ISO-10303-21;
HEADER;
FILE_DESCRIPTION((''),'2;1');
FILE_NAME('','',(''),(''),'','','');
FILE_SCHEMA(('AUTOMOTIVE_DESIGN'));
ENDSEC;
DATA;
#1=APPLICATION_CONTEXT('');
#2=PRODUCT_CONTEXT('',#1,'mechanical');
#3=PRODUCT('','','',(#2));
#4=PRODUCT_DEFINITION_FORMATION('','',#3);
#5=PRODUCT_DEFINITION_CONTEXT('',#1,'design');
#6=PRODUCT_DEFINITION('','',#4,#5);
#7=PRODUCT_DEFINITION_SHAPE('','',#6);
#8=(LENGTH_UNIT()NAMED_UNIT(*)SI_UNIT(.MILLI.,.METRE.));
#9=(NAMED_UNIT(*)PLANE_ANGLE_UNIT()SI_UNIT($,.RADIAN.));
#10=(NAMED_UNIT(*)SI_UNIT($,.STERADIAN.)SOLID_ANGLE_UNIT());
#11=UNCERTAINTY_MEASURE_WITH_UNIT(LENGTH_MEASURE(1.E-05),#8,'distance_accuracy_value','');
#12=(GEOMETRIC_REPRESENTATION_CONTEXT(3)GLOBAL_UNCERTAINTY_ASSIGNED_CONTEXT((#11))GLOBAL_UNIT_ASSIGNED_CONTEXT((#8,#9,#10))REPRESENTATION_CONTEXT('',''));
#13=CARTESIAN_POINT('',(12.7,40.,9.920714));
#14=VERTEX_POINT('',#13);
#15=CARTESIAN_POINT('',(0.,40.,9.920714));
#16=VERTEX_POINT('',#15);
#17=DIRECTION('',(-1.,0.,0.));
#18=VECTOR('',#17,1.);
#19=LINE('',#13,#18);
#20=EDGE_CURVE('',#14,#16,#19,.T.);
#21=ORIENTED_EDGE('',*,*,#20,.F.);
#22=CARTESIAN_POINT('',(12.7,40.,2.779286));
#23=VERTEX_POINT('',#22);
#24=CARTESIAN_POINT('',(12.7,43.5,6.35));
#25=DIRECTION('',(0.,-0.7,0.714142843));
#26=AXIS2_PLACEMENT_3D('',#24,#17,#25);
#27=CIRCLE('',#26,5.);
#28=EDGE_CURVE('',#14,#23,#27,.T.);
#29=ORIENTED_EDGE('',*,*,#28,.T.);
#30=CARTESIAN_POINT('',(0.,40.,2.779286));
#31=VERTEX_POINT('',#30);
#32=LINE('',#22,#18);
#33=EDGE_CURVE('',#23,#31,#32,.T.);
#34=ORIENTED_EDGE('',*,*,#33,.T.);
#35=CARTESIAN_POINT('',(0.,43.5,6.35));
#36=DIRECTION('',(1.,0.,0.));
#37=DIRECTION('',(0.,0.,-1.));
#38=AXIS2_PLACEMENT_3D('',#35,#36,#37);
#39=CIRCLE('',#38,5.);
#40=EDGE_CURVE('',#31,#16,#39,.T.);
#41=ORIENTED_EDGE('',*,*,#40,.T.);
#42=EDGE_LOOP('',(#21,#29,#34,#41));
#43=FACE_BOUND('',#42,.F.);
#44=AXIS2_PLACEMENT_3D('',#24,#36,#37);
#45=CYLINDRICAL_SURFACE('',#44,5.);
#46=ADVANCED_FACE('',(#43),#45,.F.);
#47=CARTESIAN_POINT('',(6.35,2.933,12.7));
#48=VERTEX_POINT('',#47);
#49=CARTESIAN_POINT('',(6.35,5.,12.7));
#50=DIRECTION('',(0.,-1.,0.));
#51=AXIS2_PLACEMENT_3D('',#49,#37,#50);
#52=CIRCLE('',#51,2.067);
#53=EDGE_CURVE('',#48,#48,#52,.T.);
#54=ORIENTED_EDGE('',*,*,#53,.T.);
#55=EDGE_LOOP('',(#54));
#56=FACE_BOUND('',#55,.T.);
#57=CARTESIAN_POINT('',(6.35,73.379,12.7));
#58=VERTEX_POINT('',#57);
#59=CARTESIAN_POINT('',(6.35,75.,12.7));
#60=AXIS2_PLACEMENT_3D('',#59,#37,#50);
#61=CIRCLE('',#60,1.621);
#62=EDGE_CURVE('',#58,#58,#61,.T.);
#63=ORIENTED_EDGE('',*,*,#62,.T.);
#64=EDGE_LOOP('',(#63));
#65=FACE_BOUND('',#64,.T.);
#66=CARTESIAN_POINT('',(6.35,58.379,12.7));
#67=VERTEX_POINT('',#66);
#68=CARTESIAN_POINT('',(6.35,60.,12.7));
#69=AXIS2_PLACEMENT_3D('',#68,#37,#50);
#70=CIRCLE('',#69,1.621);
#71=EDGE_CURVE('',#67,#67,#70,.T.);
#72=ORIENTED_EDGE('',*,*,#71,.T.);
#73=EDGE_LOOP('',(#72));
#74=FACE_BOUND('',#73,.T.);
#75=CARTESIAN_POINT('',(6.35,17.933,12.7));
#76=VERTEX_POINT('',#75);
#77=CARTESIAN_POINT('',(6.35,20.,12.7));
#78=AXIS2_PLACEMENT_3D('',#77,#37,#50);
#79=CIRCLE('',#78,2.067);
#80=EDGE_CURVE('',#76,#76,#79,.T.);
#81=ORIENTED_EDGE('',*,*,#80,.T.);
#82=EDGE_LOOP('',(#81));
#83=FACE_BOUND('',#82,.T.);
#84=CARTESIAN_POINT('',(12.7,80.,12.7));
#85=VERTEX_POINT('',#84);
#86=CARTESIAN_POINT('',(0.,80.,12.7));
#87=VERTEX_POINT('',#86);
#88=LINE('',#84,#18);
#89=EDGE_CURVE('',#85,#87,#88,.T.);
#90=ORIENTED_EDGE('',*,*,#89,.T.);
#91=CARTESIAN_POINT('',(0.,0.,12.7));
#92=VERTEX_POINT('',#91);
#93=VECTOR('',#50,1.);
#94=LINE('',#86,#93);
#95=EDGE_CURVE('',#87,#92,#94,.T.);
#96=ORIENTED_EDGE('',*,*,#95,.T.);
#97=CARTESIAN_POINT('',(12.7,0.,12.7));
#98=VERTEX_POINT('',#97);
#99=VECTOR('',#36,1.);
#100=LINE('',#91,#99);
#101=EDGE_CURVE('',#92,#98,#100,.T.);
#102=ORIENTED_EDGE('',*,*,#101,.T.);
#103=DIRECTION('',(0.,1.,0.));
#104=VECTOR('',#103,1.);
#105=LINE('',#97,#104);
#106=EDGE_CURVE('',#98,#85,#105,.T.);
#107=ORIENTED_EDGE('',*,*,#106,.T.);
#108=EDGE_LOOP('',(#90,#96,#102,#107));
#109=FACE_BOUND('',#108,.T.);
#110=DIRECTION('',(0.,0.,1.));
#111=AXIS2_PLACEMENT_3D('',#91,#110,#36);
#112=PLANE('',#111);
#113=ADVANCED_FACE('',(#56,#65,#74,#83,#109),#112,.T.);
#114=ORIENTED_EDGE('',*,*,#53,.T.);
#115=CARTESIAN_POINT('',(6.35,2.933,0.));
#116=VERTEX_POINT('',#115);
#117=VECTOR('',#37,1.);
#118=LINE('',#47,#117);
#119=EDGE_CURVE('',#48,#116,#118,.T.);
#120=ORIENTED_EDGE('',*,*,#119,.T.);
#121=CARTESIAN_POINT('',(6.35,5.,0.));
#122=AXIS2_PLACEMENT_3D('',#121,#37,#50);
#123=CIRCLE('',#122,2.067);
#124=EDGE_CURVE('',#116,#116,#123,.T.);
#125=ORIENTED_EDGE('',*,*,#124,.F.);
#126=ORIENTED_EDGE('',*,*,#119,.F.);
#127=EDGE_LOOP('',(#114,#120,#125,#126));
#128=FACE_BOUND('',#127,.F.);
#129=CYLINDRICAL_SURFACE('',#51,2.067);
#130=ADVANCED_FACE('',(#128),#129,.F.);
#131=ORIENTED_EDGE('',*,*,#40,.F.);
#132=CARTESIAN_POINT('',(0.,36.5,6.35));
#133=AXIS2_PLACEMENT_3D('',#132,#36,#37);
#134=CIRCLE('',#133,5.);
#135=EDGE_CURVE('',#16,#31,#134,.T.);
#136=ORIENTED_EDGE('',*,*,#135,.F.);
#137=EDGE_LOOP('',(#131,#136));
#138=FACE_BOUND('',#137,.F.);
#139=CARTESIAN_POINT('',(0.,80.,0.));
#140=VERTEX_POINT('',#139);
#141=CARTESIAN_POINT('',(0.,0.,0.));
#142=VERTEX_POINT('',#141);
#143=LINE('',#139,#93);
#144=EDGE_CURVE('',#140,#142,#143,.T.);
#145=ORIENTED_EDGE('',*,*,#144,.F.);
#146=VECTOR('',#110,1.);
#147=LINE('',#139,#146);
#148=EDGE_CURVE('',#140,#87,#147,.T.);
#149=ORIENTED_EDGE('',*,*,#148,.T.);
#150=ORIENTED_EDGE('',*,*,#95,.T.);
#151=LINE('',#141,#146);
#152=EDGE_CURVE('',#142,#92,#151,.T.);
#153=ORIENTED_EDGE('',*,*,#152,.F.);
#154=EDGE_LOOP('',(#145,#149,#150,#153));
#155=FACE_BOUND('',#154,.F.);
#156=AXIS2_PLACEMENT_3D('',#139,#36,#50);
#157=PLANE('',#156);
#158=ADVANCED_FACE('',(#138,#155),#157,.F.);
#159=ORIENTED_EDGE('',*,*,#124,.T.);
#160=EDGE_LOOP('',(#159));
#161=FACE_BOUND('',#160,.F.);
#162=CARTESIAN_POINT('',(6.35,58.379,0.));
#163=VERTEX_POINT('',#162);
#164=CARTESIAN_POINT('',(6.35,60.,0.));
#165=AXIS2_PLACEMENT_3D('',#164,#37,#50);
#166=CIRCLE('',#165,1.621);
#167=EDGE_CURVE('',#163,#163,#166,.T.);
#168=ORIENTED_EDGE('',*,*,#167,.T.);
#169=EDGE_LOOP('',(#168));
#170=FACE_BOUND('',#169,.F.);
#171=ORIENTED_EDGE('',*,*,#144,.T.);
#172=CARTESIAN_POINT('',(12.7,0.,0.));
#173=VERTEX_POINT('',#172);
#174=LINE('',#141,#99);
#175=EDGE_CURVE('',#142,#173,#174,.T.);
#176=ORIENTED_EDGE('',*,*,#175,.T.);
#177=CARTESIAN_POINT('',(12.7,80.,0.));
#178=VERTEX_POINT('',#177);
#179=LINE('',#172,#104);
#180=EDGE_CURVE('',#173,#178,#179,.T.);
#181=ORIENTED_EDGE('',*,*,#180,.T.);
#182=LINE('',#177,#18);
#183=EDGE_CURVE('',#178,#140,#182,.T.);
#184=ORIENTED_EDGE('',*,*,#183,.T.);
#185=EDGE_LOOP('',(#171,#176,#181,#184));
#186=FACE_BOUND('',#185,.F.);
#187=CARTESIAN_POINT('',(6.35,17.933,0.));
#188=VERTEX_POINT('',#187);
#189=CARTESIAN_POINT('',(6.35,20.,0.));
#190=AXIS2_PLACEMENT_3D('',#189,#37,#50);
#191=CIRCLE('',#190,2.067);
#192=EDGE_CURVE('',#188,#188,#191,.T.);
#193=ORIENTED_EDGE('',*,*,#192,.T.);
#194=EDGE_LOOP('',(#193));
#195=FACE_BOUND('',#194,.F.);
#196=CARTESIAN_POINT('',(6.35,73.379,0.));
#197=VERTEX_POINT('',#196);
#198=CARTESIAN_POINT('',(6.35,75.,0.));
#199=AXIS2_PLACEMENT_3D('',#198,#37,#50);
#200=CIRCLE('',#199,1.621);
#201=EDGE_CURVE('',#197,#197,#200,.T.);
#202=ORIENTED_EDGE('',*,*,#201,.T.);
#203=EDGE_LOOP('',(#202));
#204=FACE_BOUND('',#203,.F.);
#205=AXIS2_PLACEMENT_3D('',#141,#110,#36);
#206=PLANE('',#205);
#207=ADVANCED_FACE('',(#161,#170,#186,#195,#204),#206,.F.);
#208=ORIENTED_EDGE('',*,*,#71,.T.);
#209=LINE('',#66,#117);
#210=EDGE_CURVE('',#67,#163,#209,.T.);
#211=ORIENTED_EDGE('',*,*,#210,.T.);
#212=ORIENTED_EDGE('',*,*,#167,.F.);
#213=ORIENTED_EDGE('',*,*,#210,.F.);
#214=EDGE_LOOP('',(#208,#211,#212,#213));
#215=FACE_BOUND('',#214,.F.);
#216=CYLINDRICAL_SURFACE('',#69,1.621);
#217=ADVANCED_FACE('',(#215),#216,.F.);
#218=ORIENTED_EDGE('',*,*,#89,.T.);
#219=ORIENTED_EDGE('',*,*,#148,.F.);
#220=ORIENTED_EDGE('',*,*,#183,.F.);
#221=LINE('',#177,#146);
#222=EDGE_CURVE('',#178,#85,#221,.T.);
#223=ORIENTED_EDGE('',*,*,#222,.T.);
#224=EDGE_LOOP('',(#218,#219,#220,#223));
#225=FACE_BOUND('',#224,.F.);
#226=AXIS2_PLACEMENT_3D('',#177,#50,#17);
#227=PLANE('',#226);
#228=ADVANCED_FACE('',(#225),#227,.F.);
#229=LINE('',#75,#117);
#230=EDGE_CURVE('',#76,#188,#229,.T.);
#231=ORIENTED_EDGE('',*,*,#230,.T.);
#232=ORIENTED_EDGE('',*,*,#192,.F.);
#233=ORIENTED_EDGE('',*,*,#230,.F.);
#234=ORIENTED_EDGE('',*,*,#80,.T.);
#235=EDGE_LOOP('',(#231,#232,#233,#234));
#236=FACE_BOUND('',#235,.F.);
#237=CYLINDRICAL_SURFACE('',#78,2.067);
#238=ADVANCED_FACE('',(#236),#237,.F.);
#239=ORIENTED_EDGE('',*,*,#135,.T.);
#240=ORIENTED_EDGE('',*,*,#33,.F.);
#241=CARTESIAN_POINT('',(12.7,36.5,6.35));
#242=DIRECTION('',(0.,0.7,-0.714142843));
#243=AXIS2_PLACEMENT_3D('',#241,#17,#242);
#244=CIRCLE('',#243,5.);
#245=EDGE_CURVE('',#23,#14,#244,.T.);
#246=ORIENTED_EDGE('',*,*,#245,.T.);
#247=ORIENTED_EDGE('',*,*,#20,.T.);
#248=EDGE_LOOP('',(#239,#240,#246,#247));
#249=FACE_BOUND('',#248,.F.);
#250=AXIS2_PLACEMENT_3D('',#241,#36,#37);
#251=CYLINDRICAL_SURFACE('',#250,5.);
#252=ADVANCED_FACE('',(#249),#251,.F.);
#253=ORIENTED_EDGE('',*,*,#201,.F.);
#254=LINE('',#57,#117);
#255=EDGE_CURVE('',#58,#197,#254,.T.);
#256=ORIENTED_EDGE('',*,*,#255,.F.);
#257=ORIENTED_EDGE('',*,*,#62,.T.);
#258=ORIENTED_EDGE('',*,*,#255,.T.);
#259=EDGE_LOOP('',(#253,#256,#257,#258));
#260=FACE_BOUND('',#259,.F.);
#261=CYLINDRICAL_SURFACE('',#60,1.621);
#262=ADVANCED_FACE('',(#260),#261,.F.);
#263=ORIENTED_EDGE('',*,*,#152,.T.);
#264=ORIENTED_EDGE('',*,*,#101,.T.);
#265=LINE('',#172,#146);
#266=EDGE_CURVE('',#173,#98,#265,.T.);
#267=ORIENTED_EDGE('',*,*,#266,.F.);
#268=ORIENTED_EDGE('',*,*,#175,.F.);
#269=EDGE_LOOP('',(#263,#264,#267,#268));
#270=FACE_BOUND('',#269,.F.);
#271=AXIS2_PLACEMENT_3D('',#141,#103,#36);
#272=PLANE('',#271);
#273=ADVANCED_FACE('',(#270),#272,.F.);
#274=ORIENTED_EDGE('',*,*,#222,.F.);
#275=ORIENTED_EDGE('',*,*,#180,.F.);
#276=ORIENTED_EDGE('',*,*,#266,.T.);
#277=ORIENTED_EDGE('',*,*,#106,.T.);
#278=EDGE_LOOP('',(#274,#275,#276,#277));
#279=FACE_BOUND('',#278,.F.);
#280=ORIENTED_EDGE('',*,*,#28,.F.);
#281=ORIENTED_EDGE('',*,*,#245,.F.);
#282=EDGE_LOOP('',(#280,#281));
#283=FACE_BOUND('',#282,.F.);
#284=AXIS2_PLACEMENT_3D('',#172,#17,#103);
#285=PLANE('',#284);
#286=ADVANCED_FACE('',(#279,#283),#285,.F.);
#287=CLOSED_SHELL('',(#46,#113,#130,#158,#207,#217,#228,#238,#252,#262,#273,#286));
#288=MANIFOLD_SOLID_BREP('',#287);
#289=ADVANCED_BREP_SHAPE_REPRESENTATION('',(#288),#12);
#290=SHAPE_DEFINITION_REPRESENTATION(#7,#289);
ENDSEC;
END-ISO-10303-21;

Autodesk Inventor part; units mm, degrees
ref_plane "YZ Plane" through (0, 0, 0) normal (1, 0, 0) x (0, 1, 0)
ref_plane "XZ Plane" through (0, 0, 0) normal (0, 1, 0) x (-1, 0, 0)
ref_plane "XY Plane" through (0, 0, 0) normal (0, 0, 1) x (1, 0, 0)
sketch "Skizze1" plane through (0, 0, 0) normal (0, 0, 1) x (1, 0, 0)
  line L0 (0, 0) -> (12.7, 0)
  line L1 (12.7, 0) -> (12.7, 80)
  line L2 (12.7, 80) -> (0, 80)
  line L3 (0, 80) -> (0, 0)
  dimension "d0" = 12.7
  dimension "d1" = 80
extrude "Extrusion1" add sketch "Skizze1" along normal blind 12.7
sketch "Skizze2" plane through (0, 0, 12.7) normal (0, 0, 1) x (1, 0, 0)
  line L0 (0, 0) -> (12.7, 0) projected
  line L1 (6.35, 0) -> (5, 0)
  line L2 (5, 0) -> (5, 5)
  line L3 (5, 5) -> (6.35, 5)
  line L4 (6.35, 5) -> (6.35, 0)
  line L5 (6.35, 5) -> (2, 5)
  line L6 (2, 5) -> (2, 20)
  line L7 (2, 20) -> (6.35, 20)
  line L8 (6.35, 20) -> (6.35, 5)
  dimension "d4" = 5
  dimension "d5" = 15
hole "Bohrung1" at (6.35, 5, 12.7) at (6.35, 20, 12.7) direction (0, 0, -1) diameter 4.134 end through all thread size "M5x0.8" class "6H" standard "ISO Metric profile"
sketch "Skizze3" plane through (0, 0, 12.7) normal (0, 0, 1) x (1, 0, 0)
  line L0 (12.7, 80) -> (0, 80) projected
  line L1 (6.35, 80) -> (4, 80)
  line L2 (4, 80) -> (4, 75)
  line L3 (4, 75) -> (6.35, 75)
  line L4 (6.35, 75) -> (6.35, 80)
  line L5 (6.35, 75) -> (4, 75)
  line L6 (4, 75) -> (4, 60)
  line L7 (4, 60) -> (6.35, 60)
  line L8 (6.35, 60) -> (6.35, 75)
  point P0 (0, 0)
  dimension "d13" = 5
  dimension "d14" = 15
hole "Bohrung2" at (6.35, 60, 12.7) at (6.35, 75, 12.7) direction (0, 0, -1) diameter 3.242 end through all thread size "M4x0.7" class "6H" standard "ISO Metric profile"
sketch "Skizze4" plane through (12.7, 0, 0) normal (1, 0, 0) x (0, 0, -1)
  line L0 (0, 0) -> (-12.7, 0) projected
  line L1 (-12.7, 0) -> (-12.7, 80) projected
  line L2 (-6.35, 0) -> (-12.7, 0)
  line L3 (-12.7, 0) -> (-12.7, 40)
  line L4 (-12.7, 40) -> (-6.35, 40)
  line L5 (-6.35, 40) -> (-6.35, 0)
  line L6 (-6.35, 36.5) -> (-6.35, 43.5)
  line L7 (-6.35, 43.5) -> (-6.35, 36.5)
  circle A0 centre (-6.35, 36.5) radius 5
  circle A1 centre (-6.35, 43.5) radius 5
  point P0 (-6.35, 40)
  dimension "d22" = 7
  dimension "d23" = 10
  dimension "d24" = 10
extrude "Extrusion2" cut sketch "Skizze4" against normal through all contours A0 A1 L5 | L5 A1 A0 | A0 L6 L4 | A1 A0 | L4 L5 A1 | L5 L6 A0 A1
equation "\"d24\" = d23"
properties part number "LoadCell"
